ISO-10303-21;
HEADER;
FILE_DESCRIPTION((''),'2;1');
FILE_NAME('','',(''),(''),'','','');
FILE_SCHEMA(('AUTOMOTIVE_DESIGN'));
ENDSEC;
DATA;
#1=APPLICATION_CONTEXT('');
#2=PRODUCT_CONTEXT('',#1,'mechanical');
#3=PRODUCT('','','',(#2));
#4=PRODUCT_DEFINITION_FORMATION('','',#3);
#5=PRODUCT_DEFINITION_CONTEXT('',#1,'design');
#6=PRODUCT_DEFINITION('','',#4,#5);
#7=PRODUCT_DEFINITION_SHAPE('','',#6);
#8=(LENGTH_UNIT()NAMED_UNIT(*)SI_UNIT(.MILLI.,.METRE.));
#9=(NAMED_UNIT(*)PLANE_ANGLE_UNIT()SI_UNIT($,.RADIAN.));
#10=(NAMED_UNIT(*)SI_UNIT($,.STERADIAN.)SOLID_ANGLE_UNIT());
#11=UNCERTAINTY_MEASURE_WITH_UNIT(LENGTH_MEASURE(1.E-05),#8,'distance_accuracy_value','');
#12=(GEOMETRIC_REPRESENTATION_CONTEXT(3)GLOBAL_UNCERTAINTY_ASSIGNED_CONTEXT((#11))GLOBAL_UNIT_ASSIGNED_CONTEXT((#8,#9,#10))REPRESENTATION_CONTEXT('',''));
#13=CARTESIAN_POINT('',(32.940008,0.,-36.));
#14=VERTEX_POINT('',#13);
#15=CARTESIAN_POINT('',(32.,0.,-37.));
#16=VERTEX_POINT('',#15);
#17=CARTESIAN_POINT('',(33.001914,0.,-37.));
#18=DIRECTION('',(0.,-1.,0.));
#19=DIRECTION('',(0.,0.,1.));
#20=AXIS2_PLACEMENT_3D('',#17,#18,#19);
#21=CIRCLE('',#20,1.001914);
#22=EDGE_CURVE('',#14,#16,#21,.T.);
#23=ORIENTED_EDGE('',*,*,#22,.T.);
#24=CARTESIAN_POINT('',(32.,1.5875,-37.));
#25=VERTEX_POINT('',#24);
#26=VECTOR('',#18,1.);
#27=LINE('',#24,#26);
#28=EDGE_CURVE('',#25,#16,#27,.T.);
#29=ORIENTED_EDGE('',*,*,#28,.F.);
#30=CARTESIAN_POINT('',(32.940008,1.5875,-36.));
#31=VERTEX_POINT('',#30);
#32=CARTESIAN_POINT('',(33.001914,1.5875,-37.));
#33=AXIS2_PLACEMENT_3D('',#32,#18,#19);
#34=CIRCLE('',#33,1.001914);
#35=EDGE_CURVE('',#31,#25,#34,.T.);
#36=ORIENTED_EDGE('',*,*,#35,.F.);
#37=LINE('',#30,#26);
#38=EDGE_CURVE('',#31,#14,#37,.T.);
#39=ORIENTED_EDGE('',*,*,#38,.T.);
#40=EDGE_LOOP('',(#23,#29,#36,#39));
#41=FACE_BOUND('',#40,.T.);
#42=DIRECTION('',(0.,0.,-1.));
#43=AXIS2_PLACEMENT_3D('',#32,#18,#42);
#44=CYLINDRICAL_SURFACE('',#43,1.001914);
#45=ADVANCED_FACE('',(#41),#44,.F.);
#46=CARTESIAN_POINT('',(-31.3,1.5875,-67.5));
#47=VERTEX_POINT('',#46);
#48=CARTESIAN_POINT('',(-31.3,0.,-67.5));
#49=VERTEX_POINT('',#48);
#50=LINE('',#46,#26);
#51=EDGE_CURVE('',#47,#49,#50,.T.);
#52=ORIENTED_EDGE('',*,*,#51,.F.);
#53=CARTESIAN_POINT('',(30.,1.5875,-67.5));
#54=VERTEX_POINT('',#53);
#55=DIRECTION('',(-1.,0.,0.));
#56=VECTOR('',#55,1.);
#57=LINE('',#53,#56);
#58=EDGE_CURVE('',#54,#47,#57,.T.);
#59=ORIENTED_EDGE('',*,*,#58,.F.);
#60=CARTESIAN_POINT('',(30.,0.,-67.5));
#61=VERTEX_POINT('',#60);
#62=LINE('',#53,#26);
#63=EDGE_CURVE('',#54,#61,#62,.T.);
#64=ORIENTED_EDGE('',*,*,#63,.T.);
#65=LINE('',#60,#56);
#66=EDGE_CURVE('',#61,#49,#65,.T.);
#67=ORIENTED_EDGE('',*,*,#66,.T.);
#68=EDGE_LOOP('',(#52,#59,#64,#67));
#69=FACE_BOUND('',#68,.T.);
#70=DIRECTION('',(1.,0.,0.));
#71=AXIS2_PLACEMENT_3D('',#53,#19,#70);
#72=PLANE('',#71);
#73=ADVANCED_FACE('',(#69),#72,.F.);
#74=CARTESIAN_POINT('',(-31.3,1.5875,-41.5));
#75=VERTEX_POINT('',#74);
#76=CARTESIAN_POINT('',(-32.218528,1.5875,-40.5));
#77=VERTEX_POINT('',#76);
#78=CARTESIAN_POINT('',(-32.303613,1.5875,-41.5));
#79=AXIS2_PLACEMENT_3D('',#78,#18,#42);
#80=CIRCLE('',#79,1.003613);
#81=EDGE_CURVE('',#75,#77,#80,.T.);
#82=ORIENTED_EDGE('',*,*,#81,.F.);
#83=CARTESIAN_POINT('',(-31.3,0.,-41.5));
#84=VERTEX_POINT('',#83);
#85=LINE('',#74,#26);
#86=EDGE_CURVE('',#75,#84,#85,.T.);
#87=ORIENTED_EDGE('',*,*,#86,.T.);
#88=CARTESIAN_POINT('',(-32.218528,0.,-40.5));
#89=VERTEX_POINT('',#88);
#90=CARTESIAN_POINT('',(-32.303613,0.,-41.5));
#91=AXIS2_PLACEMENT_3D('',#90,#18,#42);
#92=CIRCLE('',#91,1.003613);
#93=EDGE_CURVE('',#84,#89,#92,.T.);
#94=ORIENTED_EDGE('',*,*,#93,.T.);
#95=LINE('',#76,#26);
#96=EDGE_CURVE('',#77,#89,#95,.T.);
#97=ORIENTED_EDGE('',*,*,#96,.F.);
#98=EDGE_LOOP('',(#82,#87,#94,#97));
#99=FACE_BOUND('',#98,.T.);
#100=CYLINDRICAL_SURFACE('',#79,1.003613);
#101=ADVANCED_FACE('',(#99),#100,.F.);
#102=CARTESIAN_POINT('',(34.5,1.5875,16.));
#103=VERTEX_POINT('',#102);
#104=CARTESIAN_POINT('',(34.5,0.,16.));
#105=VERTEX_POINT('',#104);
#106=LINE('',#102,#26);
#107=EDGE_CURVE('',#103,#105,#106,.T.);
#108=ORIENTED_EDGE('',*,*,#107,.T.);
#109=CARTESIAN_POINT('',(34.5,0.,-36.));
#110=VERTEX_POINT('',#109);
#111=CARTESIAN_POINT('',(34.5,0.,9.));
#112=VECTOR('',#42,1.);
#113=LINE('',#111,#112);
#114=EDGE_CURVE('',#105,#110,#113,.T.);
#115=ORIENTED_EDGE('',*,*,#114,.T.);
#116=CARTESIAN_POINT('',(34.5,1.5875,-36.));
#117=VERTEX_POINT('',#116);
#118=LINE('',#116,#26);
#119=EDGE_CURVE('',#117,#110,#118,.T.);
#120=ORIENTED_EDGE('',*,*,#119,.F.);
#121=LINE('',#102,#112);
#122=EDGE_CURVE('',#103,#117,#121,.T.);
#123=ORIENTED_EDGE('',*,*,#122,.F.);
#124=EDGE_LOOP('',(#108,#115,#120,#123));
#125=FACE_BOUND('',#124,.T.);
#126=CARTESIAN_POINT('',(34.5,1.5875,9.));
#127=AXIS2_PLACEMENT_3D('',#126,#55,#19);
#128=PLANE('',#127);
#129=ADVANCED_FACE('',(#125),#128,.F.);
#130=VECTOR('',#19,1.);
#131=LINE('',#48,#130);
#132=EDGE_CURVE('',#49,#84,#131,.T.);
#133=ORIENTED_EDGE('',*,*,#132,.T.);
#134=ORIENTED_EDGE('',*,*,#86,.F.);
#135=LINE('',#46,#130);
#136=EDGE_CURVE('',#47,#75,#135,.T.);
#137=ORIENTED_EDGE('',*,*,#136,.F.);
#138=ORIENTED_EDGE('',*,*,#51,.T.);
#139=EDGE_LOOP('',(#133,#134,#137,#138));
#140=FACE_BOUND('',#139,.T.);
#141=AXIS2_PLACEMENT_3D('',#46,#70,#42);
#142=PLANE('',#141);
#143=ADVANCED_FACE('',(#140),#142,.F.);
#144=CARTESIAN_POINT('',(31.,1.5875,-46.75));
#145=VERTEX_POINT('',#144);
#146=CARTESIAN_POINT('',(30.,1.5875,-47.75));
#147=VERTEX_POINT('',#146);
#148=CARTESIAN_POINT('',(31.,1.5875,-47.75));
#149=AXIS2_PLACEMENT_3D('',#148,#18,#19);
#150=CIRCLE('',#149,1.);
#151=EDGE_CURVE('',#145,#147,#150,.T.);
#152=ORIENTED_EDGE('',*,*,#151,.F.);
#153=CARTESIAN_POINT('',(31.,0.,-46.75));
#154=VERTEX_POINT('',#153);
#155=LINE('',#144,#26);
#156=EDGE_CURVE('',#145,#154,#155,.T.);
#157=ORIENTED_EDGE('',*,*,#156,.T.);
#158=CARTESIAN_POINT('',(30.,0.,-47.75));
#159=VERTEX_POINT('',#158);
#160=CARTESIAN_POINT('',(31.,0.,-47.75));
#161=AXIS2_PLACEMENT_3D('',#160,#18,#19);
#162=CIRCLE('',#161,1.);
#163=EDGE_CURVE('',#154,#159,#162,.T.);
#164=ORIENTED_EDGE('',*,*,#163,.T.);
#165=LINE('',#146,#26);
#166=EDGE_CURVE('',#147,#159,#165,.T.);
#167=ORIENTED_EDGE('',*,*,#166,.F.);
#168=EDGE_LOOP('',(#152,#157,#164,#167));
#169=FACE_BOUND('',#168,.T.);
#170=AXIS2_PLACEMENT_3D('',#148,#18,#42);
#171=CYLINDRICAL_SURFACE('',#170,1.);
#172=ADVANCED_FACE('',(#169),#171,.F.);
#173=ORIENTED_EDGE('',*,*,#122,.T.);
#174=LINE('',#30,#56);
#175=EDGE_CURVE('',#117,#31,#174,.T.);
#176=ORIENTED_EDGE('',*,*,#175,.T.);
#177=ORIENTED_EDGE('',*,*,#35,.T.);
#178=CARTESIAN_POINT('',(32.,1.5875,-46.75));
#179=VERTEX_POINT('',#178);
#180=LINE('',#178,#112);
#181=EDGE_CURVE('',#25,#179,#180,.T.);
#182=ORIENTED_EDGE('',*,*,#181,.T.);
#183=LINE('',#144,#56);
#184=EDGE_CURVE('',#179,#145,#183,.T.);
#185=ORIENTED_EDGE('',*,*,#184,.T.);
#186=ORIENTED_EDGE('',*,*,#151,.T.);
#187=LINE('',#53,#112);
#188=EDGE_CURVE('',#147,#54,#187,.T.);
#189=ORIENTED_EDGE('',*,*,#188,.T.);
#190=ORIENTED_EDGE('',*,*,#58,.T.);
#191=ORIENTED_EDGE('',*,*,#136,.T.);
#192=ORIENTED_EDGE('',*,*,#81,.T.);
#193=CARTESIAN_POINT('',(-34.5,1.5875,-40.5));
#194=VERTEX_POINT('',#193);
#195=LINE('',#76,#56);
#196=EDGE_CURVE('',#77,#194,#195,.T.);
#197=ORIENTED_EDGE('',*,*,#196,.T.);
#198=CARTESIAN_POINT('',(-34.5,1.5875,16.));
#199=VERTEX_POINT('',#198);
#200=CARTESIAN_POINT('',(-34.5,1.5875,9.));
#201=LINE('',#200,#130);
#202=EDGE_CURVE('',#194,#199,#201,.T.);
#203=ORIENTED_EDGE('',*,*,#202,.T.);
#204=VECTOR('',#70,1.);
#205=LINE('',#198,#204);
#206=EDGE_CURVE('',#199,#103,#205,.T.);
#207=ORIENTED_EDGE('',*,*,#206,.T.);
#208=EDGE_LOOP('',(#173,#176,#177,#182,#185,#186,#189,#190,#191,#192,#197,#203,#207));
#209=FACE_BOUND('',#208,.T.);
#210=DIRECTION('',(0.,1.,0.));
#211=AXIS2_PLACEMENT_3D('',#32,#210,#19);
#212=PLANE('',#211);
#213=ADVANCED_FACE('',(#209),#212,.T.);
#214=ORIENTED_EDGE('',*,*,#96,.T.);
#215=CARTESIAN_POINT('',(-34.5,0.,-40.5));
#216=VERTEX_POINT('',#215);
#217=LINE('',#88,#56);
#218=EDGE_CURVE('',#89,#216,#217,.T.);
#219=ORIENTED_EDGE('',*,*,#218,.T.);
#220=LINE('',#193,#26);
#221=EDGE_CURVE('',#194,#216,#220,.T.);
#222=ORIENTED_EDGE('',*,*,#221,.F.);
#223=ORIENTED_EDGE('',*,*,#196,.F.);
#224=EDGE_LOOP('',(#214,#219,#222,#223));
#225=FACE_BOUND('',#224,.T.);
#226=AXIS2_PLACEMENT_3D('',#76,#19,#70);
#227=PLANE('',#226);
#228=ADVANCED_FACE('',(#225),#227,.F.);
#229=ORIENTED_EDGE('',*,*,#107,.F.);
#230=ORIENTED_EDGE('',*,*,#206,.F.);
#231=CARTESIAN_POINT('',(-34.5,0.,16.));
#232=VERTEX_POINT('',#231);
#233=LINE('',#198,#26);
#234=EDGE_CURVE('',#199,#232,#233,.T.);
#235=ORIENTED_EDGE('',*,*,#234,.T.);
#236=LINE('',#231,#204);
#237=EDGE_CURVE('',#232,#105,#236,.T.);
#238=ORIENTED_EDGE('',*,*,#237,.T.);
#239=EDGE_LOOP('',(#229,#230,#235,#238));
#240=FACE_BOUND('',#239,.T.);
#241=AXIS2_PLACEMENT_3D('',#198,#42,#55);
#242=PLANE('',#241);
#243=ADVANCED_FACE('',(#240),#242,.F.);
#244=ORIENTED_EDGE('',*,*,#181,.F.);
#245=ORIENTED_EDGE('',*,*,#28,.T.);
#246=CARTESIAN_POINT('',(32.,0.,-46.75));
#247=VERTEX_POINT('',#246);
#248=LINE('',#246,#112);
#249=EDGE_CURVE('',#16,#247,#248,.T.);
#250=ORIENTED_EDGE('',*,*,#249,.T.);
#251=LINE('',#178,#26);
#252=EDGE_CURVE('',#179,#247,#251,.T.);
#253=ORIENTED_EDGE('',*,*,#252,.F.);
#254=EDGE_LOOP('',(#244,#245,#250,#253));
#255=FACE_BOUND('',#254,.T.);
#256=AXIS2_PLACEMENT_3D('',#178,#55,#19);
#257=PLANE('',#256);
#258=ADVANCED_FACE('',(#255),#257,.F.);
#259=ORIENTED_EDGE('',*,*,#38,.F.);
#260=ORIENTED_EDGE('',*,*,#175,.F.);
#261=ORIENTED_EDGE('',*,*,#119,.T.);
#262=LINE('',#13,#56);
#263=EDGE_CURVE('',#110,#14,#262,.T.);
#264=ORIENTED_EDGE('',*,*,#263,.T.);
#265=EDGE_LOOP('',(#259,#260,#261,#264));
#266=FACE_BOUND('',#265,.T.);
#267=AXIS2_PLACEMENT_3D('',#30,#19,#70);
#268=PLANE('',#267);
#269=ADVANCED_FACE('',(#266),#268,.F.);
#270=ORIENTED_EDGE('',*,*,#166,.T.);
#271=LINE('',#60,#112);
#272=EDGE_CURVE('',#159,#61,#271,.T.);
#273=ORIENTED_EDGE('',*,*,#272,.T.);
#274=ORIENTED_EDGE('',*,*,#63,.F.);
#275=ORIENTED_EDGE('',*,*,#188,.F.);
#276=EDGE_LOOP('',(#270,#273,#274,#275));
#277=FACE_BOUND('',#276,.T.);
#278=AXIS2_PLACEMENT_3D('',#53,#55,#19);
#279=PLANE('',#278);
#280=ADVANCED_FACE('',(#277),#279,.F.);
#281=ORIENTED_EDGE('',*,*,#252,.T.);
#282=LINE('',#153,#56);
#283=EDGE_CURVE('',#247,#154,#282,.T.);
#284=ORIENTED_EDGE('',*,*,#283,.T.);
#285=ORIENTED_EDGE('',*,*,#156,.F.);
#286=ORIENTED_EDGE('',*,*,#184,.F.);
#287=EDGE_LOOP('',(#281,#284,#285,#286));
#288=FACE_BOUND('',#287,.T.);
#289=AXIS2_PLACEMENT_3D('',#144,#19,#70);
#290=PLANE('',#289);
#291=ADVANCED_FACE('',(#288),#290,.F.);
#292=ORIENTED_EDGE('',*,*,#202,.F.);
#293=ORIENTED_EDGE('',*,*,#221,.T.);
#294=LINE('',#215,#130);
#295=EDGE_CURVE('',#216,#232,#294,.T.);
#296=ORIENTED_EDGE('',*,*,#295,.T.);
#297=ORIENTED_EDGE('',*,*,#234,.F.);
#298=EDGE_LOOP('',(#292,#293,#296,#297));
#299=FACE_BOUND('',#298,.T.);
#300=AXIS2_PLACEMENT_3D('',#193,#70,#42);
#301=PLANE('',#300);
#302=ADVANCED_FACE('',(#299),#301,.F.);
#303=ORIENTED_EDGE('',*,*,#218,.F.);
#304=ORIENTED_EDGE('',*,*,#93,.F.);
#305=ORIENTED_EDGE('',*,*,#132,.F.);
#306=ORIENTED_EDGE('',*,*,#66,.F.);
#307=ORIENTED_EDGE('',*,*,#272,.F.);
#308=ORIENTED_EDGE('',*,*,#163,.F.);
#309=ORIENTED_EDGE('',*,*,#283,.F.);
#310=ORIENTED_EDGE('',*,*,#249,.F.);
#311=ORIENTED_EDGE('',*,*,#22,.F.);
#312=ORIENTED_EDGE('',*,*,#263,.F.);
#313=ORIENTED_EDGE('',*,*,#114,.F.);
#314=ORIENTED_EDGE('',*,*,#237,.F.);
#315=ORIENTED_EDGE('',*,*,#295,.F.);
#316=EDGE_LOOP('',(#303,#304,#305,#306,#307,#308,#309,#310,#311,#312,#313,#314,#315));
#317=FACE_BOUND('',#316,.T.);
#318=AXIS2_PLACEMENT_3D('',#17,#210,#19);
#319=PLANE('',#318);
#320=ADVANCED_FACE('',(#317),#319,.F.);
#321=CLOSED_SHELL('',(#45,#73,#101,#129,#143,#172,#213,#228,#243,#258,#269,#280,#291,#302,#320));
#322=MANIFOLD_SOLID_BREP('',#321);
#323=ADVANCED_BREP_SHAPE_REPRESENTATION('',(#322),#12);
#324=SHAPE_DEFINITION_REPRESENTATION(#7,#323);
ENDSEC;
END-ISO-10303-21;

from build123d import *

# Parameters (mm, degrees)
FR4_DEPTH = 1.5875


with BuildPart() as part:
    # Sketch1 → FR4 (new body)
    with BuildSketch(Plane(origin=(0, 0, 0), x_dir=(1, 0, 0), z_dir=(0, 1, 0))):
        with BuildLine():
            Line((34.5, -9), (34.5, 36))
            Line((34.5, 36), (32.940007652, 36))
            ThreePointArc((32.940007652, 36), (32.271894631, 36.313775841), (32, 37))
            Line((32, 37), (32, 46.75))
            Line((32, 46.75), (31, 46.75))
            ThreePointArc((31, 46.75), (30.292893219, 47.042893219), (30, 47.75))
            Line((30, 47.75), (30, 67.5))
            Line((30, 67.5), (-31.3, 67.5))
            Line((-31.3, 67.5), (-31.3, 41.5))
            ThreePointArc((-31.3, 41.5), (-31.564481186, 40.821086647), (-32.218527823, 40.5))
            Line((-32.218527823, 40.5), (-34.5, 40.5))
            Line((-34.5, 40.5), (-34.5, -9))
            Line((-34.5, -9), (-34.5, -16))
            Line((-34.5, -16), (34.5, -16))
            Line((34.5, -16), (34.5, -9))
        make_face()
    extrude(amount=FR4_DEPTH)


solid = part.part
